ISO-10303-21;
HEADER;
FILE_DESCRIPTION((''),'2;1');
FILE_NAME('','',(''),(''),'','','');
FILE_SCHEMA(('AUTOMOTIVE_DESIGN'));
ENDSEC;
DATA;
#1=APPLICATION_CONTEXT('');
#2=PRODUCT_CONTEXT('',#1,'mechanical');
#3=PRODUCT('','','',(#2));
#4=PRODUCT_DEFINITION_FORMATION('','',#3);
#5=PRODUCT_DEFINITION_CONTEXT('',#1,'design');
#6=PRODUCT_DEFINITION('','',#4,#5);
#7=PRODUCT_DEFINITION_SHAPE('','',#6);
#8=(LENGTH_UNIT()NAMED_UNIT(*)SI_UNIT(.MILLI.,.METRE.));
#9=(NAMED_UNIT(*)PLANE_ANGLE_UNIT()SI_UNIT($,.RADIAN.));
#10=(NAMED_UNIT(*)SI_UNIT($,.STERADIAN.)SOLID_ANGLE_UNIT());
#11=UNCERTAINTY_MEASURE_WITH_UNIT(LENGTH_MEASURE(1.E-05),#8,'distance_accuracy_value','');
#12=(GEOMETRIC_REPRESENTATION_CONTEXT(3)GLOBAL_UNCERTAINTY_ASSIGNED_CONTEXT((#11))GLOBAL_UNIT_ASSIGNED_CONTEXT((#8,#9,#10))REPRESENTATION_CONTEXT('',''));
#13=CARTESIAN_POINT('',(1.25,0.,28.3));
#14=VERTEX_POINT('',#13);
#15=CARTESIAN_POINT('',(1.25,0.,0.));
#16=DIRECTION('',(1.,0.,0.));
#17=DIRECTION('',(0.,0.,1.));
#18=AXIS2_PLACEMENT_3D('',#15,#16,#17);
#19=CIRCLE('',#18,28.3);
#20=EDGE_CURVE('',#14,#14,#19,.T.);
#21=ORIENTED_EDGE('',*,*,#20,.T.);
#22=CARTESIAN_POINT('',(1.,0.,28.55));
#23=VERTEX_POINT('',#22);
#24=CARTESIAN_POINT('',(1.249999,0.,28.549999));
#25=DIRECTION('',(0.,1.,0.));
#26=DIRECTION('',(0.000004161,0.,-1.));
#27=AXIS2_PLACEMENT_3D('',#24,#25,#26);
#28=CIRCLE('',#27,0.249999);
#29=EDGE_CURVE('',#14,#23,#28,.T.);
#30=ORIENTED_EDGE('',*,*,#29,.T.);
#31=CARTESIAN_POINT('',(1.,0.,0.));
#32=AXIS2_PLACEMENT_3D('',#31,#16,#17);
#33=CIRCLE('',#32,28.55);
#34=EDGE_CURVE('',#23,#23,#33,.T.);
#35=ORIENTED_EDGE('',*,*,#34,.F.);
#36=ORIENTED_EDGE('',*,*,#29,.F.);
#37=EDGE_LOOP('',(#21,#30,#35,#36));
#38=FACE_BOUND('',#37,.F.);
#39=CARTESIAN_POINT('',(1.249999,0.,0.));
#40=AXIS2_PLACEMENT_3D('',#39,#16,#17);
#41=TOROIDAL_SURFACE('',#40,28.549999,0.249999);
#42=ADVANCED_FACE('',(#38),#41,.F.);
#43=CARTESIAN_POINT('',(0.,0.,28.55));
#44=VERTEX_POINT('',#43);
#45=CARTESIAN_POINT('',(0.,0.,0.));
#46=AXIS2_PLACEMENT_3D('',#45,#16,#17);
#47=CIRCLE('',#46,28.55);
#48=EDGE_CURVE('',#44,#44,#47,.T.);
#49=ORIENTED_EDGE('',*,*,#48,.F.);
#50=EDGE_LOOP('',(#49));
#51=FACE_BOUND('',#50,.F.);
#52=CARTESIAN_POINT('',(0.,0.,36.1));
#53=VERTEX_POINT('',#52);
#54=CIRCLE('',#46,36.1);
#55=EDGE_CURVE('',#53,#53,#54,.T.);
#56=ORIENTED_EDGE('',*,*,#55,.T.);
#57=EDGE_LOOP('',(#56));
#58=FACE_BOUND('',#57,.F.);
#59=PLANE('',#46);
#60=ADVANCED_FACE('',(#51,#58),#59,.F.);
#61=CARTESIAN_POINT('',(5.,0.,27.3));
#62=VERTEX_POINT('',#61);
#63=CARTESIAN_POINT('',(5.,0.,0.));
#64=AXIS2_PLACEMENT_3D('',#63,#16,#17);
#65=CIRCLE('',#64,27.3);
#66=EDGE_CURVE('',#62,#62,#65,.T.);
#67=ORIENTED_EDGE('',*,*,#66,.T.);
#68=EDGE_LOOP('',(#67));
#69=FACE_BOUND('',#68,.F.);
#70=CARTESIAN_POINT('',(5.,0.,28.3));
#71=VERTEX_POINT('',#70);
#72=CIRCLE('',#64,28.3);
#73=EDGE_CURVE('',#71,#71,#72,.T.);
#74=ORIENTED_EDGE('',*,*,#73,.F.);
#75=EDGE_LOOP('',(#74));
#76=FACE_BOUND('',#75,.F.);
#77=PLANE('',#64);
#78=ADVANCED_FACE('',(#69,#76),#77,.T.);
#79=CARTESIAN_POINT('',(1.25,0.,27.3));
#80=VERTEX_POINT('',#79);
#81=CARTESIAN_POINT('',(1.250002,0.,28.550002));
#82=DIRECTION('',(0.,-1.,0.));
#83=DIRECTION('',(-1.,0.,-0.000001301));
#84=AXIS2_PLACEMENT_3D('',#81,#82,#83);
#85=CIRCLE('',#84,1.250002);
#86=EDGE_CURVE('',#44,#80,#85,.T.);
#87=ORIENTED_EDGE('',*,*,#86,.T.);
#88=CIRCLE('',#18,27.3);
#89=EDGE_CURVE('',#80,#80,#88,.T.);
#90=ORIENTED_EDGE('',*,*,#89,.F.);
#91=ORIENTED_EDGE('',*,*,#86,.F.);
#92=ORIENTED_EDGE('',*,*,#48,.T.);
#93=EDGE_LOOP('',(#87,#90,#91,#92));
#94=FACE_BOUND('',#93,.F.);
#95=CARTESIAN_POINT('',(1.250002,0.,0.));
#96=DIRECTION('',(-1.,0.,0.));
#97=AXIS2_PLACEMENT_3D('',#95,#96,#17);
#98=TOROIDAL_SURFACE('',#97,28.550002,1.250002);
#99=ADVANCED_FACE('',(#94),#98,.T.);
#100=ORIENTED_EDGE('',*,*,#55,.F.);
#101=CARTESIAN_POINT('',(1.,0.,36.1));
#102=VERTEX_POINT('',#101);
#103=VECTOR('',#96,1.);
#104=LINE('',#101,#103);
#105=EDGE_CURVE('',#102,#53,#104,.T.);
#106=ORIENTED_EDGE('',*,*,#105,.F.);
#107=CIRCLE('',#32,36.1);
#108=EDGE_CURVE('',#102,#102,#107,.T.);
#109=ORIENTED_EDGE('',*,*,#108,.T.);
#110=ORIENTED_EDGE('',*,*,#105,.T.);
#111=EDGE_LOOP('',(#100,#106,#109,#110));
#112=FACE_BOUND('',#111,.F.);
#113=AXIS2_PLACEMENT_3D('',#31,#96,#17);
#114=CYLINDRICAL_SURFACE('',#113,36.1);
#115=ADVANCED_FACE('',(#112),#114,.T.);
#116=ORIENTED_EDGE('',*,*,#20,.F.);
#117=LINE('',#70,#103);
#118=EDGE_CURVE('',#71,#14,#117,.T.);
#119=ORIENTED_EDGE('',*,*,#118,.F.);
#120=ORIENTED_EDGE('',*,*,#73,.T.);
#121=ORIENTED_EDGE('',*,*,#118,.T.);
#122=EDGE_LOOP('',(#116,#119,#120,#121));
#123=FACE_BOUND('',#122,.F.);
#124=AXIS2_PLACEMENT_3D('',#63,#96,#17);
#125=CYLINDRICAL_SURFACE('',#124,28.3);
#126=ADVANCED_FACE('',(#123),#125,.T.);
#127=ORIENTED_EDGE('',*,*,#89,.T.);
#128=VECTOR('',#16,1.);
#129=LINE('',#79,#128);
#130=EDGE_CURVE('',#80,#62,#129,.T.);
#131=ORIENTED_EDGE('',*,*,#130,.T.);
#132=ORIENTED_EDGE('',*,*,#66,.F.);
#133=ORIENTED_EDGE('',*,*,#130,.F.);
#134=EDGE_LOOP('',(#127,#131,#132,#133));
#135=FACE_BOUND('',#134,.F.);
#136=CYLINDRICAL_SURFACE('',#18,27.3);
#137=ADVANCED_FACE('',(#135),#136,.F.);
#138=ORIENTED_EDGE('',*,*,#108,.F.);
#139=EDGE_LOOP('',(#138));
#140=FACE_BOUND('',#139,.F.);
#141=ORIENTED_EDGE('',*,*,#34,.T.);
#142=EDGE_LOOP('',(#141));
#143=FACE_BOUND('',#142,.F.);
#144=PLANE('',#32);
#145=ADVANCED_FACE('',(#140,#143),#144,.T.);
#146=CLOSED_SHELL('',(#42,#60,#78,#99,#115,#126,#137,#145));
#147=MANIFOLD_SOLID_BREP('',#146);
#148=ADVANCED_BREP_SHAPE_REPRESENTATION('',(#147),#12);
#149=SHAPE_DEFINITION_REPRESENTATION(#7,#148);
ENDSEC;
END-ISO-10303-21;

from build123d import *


with BuildPart() as f1:
    # F0 (on Front) → F1 (revolve)
    with BuildSketch(Plane.XZ):
        with BuildLine():
            Line((0, 36.1), (0, 28.55))
            ThreePointArc((0, 28.55), (0.366117, 27.666117), (1.25, 27.3))
            Line((1.25, 27.3), (5, 27.3))
            Line((5, 27.3), (5, 28.3))
            Line((5, 28.3), (1.25, 28.3))
            ThreePointArc((1.25, 28.3), (1.073223, 28.373223), (1, 28.55))
            Line((1, 28.55), (1, 36.1))
            Line((1, 36.1), (0, 36.1))
        make_face()
    revolve(axis=Axis((2.5, 0, 0), (1, 0, 0)))


solid = f1.part
